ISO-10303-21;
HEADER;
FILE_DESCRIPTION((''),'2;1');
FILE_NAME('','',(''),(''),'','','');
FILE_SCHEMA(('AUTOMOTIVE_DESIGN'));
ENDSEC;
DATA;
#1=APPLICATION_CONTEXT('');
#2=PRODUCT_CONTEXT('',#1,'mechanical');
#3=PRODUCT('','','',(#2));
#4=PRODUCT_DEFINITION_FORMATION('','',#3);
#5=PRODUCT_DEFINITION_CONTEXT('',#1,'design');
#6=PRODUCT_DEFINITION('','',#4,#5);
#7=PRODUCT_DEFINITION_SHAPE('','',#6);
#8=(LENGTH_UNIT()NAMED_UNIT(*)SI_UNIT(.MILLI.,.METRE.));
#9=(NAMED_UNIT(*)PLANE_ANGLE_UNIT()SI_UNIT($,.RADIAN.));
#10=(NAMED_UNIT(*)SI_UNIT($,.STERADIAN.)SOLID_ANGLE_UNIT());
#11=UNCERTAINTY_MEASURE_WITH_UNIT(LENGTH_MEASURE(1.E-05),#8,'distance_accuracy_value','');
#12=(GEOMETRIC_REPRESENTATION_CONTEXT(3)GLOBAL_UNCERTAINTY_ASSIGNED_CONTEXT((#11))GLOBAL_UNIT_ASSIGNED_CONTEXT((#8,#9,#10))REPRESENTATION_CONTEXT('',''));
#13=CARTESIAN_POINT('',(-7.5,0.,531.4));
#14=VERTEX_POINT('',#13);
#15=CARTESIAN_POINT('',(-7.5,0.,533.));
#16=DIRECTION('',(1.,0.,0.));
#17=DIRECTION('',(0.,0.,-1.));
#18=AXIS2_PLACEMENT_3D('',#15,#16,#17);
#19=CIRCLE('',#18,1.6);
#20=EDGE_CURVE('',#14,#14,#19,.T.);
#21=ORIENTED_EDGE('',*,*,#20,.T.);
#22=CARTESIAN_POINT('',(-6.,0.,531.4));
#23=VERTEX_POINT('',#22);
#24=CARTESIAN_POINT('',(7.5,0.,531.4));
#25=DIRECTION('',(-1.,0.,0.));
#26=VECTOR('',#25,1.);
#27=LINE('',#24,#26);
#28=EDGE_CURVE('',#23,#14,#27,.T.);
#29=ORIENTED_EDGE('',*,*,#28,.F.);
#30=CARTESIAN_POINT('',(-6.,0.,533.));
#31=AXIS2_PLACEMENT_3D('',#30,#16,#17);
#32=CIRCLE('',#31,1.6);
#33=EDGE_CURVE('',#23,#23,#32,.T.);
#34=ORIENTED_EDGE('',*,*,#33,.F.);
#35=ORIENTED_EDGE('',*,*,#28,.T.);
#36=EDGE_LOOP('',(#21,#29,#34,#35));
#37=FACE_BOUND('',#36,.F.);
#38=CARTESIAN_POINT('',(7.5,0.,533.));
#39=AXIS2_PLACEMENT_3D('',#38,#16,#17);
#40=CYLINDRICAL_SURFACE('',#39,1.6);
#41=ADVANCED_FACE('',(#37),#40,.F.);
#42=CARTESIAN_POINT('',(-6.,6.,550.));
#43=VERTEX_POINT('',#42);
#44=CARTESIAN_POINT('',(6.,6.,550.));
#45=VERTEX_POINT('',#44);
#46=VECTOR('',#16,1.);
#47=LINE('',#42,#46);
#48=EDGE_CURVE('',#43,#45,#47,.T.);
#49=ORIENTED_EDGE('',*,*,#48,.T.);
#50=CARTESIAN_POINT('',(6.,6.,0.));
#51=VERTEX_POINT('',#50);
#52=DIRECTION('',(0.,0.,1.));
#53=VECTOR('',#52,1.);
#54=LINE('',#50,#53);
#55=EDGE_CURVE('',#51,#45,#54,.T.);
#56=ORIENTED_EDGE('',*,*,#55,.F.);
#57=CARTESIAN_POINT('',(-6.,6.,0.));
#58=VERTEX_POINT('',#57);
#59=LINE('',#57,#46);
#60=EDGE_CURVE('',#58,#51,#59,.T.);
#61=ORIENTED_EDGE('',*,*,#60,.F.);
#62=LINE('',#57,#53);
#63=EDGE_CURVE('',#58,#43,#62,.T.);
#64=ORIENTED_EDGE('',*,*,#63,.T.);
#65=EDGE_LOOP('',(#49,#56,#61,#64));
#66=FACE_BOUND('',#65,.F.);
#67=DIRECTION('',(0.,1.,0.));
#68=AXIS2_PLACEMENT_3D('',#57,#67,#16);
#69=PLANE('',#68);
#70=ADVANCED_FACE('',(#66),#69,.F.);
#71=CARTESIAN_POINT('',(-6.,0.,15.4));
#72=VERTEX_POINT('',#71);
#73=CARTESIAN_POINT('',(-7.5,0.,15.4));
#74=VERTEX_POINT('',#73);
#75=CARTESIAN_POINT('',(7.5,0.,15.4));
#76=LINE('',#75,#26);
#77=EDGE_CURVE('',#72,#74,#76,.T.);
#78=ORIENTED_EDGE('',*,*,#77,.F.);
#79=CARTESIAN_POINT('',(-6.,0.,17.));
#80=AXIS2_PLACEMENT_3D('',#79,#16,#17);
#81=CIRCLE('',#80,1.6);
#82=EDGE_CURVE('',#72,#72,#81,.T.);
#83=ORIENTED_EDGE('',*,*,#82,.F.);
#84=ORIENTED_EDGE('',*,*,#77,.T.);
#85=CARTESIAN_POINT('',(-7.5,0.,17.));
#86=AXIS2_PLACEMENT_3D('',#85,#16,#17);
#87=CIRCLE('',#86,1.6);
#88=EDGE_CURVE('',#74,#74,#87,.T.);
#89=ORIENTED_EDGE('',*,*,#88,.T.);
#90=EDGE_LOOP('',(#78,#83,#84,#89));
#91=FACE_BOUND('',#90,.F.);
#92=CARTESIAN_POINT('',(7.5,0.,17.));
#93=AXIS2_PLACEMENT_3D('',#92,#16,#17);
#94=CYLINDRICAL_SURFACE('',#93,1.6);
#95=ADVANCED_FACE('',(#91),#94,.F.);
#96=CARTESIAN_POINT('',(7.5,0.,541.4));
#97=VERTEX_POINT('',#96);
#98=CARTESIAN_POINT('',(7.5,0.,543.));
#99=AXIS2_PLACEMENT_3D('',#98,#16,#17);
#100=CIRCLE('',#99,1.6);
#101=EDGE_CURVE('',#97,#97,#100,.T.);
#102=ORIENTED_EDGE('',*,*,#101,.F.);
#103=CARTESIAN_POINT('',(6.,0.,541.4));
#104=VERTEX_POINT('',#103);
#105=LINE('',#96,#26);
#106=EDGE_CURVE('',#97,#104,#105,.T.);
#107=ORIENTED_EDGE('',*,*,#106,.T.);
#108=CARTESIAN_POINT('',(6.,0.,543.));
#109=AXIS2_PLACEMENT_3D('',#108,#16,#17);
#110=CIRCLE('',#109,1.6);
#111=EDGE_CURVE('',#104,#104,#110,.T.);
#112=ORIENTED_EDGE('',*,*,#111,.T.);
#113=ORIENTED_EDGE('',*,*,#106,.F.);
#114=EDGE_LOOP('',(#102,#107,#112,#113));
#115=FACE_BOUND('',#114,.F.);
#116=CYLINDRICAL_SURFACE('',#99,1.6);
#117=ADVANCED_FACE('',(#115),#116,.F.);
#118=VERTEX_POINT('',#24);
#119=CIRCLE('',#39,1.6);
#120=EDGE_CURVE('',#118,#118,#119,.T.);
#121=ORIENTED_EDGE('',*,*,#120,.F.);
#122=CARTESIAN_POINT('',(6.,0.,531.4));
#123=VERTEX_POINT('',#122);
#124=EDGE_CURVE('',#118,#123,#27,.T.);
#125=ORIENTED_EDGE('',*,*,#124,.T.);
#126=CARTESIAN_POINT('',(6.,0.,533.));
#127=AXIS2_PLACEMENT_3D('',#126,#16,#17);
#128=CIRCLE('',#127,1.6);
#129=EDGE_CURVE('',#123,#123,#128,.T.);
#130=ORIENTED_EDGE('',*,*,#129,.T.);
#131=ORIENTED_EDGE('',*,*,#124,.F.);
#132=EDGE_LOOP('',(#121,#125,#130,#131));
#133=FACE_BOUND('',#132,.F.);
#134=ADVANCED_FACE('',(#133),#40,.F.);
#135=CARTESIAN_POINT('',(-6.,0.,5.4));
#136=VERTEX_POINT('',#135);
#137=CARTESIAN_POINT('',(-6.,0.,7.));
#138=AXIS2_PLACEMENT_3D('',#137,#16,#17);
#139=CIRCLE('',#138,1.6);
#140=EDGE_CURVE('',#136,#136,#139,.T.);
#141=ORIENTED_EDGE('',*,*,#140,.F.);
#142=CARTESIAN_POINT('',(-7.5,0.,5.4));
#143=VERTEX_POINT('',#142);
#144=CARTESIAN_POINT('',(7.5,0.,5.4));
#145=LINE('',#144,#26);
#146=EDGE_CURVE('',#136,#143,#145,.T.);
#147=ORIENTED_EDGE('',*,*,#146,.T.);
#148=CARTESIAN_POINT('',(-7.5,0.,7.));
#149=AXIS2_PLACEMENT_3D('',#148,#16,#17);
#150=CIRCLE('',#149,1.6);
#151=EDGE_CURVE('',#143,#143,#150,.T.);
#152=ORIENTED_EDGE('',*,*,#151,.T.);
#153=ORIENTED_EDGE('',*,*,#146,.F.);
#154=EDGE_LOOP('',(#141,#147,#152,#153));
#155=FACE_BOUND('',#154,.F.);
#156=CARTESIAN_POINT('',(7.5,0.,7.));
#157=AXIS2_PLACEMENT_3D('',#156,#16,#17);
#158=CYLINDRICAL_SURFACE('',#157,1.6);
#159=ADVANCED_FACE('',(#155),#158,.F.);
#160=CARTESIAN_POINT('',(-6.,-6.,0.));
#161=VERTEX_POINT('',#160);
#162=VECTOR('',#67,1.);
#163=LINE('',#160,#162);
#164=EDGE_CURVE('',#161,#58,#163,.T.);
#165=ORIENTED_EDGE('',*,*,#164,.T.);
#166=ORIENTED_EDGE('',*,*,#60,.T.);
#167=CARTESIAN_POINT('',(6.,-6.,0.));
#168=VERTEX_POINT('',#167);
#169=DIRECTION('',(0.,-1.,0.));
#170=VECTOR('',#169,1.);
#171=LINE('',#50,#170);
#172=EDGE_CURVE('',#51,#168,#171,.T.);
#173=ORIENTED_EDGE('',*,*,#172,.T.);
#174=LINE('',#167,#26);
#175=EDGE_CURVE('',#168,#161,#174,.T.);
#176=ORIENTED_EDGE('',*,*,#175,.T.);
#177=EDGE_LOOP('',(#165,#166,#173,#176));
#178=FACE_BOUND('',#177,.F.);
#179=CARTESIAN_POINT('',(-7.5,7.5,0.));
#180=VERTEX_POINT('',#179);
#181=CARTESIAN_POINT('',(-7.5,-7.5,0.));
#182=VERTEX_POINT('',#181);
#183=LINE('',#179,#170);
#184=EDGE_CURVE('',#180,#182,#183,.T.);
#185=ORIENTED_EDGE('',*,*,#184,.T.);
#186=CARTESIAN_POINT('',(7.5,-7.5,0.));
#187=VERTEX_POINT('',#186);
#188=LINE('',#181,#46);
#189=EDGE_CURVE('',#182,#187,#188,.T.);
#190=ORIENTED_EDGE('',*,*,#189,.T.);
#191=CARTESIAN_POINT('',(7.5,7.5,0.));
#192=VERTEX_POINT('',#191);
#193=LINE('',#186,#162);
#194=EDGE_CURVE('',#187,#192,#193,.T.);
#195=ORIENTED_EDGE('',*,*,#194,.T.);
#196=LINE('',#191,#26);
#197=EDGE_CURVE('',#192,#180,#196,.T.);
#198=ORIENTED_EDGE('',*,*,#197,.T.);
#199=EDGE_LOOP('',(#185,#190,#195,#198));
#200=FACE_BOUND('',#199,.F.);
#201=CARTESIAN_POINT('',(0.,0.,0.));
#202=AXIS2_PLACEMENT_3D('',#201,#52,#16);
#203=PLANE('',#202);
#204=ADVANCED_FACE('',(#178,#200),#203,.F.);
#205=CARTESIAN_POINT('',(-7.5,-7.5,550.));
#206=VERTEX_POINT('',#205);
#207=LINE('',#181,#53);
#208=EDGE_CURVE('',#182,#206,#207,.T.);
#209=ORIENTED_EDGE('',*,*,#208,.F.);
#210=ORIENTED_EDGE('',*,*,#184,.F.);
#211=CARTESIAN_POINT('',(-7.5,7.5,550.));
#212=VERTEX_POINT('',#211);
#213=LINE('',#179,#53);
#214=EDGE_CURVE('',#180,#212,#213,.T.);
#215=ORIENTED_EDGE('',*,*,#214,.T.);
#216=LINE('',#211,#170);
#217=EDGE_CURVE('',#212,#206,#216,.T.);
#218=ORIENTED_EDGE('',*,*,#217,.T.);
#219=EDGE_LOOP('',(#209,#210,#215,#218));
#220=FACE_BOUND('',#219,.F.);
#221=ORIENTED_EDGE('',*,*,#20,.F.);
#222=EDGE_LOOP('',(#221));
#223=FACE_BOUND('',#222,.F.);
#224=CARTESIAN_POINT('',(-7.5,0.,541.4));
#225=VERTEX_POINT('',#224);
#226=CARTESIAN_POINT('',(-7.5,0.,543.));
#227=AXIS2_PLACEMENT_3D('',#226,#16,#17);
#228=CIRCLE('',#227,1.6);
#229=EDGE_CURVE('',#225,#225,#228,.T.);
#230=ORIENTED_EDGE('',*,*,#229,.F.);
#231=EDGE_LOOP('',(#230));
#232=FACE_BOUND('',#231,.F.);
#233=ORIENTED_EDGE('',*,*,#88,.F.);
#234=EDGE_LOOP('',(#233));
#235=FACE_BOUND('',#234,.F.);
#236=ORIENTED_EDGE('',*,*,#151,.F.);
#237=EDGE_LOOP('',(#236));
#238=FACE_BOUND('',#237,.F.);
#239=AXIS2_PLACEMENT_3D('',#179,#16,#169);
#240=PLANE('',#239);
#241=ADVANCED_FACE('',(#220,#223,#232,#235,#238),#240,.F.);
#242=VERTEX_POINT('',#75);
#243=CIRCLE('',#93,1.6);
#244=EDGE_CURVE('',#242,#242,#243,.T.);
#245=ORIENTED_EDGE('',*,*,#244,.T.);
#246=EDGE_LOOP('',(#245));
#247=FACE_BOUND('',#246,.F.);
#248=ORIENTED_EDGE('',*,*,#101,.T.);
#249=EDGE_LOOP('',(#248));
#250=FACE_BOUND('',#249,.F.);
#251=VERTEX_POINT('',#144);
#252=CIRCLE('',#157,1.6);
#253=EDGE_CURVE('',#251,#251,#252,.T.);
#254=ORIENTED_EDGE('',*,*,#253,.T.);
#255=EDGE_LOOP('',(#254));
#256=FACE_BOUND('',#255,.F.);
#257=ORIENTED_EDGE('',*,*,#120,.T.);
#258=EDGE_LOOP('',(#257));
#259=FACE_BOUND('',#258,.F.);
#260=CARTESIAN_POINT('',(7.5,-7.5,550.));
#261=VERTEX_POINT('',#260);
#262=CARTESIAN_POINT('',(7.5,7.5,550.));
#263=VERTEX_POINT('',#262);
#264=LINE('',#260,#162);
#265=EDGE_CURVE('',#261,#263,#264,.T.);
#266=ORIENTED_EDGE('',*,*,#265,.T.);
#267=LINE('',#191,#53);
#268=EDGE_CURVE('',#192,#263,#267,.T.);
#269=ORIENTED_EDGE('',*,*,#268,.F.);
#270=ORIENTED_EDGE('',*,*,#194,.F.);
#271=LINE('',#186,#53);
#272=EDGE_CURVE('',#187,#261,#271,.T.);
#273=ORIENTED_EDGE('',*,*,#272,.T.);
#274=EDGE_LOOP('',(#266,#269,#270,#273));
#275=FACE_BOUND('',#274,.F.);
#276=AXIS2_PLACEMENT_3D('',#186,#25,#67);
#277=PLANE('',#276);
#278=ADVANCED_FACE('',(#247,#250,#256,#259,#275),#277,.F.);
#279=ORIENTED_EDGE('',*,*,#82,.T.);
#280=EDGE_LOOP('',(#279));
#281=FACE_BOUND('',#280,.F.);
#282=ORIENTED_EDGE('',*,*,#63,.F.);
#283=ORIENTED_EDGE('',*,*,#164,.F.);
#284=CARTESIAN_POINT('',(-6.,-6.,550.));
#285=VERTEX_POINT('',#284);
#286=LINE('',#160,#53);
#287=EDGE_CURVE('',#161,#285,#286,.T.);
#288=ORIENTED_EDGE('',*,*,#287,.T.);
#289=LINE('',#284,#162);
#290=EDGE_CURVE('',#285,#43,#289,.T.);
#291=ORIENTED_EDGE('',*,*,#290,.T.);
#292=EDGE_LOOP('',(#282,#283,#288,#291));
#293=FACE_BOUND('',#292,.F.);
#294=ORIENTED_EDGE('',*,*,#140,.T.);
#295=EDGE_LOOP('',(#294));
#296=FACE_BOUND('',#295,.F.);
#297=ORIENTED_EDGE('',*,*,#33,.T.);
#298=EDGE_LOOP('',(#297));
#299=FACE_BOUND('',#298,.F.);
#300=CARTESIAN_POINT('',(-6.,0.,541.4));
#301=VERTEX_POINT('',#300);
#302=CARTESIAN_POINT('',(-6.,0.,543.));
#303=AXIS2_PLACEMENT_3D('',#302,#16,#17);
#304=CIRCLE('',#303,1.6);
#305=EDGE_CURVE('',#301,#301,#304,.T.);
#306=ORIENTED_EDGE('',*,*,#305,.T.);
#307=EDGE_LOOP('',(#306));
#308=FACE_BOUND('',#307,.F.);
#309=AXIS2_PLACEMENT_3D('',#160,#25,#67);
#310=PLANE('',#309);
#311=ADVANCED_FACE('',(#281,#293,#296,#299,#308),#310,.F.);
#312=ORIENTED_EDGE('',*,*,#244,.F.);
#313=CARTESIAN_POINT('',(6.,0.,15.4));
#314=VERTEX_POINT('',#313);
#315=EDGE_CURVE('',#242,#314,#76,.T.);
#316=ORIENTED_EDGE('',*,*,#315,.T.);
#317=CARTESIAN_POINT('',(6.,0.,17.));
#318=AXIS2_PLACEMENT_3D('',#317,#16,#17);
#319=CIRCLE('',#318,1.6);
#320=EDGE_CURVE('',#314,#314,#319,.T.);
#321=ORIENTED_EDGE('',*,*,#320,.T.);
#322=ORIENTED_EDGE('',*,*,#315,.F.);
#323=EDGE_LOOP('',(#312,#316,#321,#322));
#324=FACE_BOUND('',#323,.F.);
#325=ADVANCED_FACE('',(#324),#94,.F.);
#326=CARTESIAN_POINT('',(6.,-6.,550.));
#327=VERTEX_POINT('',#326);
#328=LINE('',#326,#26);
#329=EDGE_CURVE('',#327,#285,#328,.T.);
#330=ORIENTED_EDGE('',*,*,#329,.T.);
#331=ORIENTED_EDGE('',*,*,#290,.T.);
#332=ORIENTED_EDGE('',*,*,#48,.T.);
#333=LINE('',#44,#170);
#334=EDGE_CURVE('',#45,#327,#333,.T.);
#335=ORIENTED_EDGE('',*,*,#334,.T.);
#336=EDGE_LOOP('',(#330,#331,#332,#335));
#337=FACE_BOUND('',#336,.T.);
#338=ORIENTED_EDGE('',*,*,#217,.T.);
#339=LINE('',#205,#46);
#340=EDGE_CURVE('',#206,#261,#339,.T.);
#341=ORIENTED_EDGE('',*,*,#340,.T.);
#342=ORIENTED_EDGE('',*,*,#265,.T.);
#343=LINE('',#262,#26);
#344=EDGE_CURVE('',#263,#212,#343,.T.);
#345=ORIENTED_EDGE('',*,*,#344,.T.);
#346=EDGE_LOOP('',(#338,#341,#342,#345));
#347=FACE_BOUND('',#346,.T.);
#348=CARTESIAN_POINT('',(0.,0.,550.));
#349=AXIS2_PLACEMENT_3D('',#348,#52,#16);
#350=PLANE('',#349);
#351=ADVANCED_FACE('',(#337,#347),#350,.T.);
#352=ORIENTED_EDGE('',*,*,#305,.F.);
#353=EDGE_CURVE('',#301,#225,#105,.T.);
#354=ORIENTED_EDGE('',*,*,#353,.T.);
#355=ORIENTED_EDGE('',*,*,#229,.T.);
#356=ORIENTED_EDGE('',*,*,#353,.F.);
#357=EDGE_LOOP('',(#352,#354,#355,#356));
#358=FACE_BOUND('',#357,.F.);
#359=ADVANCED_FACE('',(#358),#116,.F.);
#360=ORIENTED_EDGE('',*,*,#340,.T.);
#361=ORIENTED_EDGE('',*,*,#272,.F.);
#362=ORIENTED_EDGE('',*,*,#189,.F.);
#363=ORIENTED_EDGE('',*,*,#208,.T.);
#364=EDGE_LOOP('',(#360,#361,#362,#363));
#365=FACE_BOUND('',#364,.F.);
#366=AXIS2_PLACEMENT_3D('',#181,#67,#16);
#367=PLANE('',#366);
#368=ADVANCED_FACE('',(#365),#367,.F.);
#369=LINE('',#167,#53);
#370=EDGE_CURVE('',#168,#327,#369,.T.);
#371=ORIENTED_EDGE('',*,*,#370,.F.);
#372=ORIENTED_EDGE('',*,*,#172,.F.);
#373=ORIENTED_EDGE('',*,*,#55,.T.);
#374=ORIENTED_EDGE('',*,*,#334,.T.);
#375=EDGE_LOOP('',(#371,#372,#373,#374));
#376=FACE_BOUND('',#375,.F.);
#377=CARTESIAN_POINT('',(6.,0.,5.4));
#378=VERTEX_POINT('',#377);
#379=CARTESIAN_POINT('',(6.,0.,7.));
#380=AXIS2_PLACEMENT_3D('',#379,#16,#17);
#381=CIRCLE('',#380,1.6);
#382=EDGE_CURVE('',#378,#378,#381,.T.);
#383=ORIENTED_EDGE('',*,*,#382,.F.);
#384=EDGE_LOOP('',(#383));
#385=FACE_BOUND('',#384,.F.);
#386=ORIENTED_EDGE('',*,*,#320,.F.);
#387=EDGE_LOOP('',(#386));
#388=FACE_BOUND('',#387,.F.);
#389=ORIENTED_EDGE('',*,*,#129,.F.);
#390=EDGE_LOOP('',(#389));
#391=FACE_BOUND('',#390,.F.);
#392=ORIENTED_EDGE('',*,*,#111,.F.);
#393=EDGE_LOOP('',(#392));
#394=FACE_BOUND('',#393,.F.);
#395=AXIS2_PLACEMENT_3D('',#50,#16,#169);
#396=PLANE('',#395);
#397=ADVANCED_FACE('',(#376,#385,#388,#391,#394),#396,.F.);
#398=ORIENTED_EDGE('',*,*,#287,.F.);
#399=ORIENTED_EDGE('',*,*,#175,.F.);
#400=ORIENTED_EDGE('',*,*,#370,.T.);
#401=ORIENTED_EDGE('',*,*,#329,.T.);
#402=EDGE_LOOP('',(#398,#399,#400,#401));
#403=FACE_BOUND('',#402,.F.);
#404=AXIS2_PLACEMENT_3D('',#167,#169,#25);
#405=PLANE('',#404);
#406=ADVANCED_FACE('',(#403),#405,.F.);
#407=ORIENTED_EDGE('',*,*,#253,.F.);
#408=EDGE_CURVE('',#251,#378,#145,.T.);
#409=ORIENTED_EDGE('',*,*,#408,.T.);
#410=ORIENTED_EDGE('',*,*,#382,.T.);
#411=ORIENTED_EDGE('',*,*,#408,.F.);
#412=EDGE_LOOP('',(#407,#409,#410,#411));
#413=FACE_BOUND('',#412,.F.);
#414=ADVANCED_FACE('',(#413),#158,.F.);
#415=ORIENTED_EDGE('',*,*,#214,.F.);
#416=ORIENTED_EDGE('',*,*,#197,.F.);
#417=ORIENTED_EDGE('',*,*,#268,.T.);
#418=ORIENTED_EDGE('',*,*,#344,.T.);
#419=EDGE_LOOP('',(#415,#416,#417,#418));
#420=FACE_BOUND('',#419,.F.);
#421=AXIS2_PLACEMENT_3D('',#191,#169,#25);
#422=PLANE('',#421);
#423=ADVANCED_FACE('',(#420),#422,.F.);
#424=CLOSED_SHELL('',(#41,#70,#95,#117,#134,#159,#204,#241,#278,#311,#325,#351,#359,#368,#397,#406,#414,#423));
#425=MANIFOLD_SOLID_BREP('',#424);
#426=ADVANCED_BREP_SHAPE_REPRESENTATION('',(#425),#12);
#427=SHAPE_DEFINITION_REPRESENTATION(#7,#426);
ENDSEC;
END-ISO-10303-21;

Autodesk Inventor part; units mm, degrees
ref_plane "YZ Plane" through (0, 0, 0) normal (1, 0, 0) x (0, 1, 0)
ref_plane "XZ Plane" through (0, 0, 0) normal (0, 1, 0) x (-1, 0, 0)
ref_plane "XY Plane" through (0, 0, 0) normal (0, 0, 1) x (1, 0, 0)
sketch "スケッチ1" plane through (0, 0, 0) normal (0, 0, 1) x (1, 0, 0)
  line L0 (7.5, 7.5) -> (-7.5, 7.5)
  line L1 (-7.5, 7.5) -> (-7.5, -7.5)
  line L2 (-7.5, -7.5) -> (7.5, -7.5)
  line L3 (7.5, -7.5) -> (7.5, 7.5)
  line L4 (7.5, 7.5) -> (-7.5, -7.5) construction
  line L5 (-7.5, 7.5) -> (7.5, -7.5) construction
  line L6 (-6, 6) -> (6, 6)
  line L7 (6, 6) -> (6, -6)
  line L8 (6, -6) -> (-6, -6)
  line L9 (-6, -6) -> (-6, 6)
  point P0 (0, 0)
  dimension "d0" = 15
  dimension "d1" = 15
  dimension "d2" = 1.5
extrude "押し出し1" add sketch "スケッチ1" along normal blind 550
sketch "スケッチ2" plane through (7.5, -7.5, 0) normal (1, 0, 0) x (0, 0, -1)
  circle A0 centre (-7, 7.5) radius 1.6
  circle A1 centre (-17, 7.5) radius 1.6
  line L0 (0, 0) -> (0, 15) projected
  circle A2 centre (-533, 7.5) radius 1.6
  circle A3 centre (-543, 7.5) radius 1.6
  line L1 (-550, 0) -> (-550, 15) projected
  point P0 (0, 7.5)
  point P1 (0, 7.5)
  dimension "d5" = 3.2
  dimension "d6" = 3.2
  dimension "d7" = 7
  dimension "d8" = 10
  dimension "d9" = 3.2
  dimension "d10" = 3.2
  dimension "d11" = 10
  dimension "d12" = 7
extrude "押し出し2" cut sketch "スケッチ2" against normal through all
properties part number "上昇機構_角柱4" material "アルミニウム 6061"
